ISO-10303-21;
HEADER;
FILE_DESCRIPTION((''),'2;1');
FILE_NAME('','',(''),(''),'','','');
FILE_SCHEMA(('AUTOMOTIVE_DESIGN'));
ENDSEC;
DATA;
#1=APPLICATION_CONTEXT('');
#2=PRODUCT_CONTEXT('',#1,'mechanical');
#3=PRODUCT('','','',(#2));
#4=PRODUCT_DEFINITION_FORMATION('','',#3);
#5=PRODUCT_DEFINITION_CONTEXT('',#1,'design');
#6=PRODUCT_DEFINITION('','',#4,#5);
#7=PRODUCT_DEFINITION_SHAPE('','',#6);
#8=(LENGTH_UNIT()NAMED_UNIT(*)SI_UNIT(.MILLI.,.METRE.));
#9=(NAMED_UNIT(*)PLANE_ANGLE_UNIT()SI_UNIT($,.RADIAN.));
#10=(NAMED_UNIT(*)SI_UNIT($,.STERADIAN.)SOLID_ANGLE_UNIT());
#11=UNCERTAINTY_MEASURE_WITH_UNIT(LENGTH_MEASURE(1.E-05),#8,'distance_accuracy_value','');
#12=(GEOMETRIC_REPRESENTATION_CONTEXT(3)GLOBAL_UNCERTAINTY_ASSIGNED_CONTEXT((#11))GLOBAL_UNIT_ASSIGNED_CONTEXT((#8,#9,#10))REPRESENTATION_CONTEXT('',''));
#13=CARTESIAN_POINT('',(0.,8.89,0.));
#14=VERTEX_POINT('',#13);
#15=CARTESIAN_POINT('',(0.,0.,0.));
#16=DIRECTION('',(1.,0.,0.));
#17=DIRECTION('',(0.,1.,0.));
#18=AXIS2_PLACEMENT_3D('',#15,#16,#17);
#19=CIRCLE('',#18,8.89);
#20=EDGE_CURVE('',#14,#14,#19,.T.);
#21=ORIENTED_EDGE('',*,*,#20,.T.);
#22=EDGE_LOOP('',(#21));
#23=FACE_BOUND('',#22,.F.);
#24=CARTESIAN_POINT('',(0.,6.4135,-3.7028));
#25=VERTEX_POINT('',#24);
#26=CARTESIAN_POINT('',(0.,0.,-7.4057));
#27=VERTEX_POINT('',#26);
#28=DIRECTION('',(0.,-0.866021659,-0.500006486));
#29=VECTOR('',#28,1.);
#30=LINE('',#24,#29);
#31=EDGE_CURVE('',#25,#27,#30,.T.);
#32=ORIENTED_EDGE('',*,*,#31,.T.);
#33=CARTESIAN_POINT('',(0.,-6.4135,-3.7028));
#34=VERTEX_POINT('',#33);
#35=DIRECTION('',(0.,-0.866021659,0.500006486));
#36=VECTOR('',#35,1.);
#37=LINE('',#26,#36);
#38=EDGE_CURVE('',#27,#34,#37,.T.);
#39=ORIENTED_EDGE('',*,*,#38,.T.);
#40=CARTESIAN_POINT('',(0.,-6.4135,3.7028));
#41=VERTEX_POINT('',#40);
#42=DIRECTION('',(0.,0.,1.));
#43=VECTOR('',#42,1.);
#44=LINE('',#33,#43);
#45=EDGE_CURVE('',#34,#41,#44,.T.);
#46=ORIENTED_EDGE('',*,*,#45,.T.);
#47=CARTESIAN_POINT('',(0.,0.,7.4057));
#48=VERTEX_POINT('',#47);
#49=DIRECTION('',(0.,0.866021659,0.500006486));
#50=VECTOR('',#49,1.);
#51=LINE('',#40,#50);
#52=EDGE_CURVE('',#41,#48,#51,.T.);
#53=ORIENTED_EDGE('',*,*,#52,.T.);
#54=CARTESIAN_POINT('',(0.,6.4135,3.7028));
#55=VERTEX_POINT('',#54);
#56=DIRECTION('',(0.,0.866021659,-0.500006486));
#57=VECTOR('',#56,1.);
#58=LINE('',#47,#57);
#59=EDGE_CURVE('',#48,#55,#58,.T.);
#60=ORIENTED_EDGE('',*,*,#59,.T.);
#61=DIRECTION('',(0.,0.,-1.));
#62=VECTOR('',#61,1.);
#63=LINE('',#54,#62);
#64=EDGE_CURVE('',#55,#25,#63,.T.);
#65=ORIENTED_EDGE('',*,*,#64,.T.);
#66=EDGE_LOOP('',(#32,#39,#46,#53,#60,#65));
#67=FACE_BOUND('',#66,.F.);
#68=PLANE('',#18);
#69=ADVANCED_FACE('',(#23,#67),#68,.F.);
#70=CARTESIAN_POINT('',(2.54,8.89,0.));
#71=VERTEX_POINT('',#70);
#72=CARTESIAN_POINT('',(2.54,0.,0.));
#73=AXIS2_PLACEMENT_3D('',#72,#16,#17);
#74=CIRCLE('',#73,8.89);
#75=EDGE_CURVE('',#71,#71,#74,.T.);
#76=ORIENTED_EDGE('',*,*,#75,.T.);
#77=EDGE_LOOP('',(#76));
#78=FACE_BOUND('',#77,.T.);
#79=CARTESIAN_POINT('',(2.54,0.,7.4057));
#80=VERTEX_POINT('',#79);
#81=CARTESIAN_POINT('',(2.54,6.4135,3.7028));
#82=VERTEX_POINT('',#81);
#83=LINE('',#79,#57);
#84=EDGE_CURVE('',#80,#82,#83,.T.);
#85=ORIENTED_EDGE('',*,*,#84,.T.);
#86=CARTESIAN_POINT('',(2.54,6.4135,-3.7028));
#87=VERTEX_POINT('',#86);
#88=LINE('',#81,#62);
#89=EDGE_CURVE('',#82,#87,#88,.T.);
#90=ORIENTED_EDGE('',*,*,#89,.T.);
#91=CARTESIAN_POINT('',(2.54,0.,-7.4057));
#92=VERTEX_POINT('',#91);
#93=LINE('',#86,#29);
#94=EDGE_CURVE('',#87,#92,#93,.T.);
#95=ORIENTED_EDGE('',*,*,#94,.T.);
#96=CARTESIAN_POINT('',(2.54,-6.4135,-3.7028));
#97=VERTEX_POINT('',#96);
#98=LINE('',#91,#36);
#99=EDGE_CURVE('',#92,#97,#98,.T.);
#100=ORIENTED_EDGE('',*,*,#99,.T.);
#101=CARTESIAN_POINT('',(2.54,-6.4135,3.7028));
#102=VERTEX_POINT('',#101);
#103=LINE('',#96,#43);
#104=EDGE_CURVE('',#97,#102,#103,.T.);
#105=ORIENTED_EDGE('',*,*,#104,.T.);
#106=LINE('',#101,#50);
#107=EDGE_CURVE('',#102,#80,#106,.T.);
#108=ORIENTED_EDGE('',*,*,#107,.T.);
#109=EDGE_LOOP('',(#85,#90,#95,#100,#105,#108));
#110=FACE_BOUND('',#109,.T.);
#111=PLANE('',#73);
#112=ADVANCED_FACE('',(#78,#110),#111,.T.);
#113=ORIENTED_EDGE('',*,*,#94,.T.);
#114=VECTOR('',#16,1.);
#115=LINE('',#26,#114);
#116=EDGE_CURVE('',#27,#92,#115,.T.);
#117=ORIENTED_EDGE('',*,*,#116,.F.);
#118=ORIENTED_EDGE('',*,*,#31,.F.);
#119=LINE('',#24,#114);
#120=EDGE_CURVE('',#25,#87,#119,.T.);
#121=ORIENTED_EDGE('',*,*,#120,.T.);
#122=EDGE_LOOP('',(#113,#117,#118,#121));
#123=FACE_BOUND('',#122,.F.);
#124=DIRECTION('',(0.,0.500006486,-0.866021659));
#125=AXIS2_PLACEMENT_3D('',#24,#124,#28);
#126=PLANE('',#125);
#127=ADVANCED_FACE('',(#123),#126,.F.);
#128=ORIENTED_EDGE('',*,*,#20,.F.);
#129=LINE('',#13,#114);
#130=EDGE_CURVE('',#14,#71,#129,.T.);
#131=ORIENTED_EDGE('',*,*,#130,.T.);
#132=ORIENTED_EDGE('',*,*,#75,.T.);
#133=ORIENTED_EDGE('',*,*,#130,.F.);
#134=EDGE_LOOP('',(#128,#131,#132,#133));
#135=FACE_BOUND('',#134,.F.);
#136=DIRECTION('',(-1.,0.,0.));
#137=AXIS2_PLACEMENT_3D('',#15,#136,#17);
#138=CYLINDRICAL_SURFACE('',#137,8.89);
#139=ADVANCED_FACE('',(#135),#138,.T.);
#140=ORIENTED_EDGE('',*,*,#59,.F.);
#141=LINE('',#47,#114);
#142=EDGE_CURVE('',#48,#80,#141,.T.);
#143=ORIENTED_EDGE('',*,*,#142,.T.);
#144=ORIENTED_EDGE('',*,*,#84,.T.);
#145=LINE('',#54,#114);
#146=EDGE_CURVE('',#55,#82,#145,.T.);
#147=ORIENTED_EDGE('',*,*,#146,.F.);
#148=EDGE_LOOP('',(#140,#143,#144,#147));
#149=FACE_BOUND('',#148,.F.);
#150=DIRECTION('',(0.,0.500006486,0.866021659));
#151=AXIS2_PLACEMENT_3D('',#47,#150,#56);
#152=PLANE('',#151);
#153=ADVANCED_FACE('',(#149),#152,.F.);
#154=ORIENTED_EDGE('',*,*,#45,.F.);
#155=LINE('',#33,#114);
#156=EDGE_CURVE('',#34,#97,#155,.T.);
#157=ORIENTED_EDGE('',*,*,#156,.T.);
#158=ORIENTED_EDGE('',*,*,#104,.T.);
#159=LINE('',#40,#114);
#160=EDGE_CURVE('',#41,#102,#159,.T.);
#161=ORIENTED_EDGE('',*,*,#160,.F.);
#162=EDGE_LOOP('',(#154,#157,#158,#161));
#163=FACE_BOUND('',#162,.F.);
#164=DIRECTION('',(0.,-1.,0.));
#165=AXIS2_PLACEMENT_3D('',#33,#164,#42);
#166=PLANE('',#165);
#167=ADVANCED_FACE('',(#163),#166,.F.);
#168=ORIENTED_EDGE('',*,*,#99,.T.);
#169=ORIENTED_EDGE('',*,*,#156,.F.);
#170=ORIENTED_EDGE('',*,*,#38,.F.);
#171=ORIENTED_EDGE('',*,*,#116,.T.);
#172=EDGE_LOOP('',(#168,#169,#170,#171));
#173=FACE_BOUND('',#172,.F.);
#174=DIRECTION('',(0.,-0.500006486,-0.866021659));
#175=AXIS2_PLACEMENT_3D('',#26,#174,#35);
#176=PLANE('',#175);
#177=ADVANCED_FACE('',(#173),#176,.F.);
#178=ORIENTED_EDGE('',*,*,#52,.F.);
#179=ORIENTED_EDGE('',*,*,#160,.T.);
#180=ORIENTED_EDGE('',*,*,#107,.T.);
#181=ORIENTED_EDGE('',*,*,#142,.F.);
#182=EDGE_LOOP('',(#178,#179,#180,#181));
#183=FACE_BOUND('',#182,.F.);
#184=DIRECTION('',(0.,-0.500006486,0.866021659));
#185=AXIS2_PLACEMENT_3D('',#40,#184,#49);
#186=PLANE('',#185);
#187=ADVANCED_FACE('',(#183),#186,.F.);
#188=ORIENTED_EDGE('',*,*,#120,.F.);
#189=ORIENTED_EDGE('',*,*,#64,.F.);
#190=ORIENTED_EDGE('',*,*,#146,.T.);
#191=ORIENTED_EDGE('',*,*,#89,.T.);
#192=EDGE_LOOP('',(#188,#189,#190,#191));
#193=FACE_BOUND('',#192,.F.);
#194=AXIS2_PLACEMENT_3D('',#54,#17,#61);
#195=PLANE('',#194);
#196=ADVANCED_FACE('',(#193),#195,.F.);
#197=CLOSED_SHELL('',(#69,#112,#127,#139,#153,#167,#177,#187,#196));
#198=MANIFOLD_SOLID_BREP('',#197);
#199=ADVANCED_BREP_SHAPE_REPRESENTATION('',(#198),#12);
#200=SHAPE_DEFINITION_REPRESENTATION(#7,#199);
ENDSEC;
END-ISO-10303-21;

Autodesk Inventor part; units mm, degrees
ref_plane "YZ Plane" through (0, 0, 0) normal (1, 0, 0) x (0, 1, 0)
ref_plane "XZ Plane" through (0, 0, 0) normal (0, 1, 0) x (-1, 0, 0)
ref_plane "XY Plane" through (0, 0, 0) normal (0, 0, 1) x (1, 0, 0)
sketch "Sketch1" plane through (0, 0, 0) normal (1, 0, 0) x (0, 1, 0)
  line L0 (-6.4135, -3.7028) -> (-6.4135, 3.7028)
  line L1 (-6.4135, 3.7028) -> (0, 7.4057)
  line L2 (0, 7.4057) -> (6.4135, 3.7028)
  line L3 (6.4135, 3.7028) -> (6.4135, -3.7028)
  line L4 (6.4135, -3.7028) -> (0, -7.4057)
  line L5 (0, -7.4057) -> (-6.4135, -3.7028)
  circle A0 centre (0, 0) radius 8.89
  dimension "d0" = 12.827
  dimension "d1" = 17.78
extrude "Extrusion1" add sketch "Sketch1" along normal blind 2.54
properties part number "3DPRINT,BACKROLLERS,INTERROLLER,SPACER" material "ABS Plastic"
